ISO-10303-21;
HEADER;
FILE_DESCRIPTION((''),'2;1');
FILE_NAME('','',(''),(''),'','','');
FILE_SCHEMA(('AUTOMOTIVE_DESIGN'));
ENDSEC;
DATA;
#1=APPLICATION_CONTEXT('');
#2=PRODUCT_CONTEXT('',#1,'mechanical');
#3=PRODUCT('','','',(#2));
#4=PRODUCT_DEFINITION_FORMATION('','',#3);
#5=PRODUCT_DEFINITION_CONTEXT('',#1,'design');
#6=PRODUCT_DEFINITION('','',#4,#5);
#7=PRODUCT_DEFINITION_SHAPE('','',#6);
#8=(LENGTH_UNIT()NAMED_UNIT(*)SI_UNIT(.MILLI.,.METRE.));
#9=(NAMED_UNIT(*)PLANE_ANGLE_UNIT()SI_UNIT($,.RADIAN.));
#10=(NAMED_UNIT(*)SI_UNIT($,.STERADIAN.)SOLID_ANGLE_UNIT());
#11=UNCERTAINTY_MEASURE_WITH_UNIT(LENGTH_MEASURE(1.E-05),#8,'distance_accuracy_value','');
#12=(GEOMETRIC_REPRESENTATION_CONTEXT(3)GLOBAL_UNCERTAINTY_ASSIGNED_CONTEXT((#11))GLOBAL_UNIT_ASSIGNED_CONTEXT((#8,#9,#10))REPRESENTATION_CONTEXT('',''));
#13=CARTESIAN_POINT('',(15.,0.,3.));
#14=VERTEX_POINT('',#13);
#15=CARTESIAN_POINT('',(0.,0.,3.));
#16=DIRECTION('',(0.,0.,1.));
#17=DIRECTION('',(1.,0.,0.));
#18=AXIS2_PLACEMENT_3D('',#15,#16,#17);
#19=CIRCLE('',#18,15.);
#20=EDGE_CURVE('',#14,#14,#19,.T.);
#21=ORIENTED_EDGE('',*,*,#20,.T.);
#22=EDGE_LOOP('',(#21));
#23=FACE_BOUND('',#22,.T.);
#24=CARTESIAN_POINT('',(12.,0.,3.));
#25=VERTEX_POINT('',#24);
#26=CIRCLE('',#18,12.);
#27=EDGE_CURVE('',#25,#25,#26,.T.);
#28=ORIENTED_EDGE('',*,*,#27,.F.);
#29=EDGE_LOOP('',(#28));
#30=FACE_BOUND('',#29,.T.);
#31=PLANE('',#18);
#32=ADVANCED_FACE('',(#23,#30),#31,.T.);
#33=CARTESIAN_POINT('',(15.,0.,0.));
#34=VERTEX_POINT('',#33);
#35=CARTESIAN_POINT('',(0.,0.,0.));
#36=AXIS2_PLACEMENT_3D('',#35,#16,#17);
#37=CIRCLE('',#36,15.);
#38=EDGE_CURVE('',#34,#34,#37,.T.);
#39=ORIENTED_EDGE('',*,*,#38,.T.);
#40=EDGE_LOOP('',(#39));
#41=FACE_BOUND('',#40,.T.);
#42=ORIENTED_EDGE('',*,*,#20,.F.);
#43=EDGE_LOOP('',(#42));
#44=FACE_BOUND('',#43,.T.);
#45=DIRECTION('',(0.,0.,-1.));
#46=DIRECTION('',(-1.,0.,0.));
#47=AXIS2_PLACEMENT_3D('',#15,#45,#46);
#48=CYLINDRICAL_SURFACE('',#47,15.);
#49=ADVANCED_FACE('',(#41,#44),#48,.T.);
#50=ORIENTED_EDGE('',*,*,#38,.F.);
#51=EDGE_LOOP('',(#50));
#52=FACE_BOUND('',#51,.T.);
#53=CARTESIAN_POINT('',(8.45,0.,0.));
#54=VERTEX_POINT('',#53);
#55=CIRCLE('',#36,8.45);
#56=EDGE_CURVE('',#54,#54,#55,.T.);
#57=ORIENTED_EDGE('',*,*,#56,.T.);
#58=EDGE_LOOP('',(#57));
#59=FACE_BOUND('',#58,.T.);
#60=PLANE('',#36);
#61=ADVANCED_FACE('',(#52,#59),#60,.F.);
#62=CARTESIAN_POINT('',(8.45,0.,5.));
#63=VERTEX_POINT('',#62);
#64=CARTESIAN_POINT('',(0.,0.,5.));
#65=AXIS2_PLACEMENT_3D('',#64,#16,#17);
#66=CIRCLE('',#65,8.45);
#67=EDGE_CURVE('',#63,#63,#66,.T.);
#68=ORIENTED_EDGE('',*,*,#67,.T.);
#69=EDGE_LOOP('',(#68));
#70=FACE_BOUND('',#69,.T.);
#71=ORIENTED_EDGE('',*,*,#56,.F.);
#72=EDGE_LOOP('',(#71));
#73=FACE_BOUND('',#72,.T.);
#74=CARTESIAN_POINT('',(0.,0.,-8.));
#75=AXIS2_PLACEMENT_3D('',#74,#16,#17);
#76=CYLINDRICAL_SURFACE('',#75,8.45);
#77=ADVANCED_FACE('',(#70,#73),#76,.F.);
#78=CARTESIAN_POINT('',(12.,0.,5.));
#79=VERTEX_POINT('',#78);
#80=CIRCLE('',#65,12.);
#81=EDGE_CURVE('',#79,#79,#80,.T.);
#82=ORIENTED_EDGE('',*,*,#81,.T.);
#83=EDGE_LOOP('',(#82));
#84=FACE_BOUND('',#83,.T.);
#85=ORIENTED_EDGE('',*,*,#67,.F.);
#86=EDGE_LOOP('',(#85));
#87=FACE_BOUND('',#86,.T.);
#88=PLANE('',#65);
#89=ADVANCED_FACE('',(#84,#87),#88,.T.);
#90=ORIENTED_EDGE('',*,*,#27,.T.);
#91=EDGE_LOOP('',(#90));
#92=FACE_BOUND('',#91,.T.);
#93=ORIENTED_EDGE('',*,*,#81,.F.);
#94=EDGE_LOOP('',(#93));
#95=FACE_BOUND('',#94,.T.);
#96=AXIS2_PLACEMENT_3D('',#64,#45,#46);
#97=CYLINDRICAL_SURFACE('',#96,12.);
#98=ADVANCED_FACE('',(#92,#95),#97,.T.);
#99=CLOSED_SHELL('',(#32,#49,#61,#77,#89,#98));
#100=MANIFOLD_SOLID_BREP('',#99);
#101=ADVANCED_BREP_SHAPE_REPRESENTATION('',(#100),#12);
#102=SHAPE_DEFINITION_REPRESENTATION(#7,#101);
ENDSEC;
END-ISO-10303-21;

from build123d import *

# Parameters (mm, degrees)
SKETCH1_R      = 15
EXTRUDE1_DEPTH = 3
SKETCH2_R      = 12
EXTRUDE2_DEPTH = 2
SKETCH3_R      = 8.45
EXTRUDE3_DEPTH = 13


with BuildPart() as part:
    # Sketch1 → Extrude1 (new body)
    with BuildSketch(Plane.XY):
        Circle(SKETCH1_R)
    extrude(amount=EXTRUDE1_DEPTH)

    # Sketch2 → Extrude2 (add)
    with BuildSketch(Plane.XY.offset(3)):
        Circle(SKETCH2_R)
    extrude(amount=EXTRUDE2_DEPTH)

    # Sketch3 → Extrude3 (cut)
    with BuildSketch(Plane.XY.offset(5)):
        Circle(SKETCH3_R)
    extrude(amount=-EXTRUDE3_DEPTH, mode=Mode.SUBTRACT)


solid = part.part
